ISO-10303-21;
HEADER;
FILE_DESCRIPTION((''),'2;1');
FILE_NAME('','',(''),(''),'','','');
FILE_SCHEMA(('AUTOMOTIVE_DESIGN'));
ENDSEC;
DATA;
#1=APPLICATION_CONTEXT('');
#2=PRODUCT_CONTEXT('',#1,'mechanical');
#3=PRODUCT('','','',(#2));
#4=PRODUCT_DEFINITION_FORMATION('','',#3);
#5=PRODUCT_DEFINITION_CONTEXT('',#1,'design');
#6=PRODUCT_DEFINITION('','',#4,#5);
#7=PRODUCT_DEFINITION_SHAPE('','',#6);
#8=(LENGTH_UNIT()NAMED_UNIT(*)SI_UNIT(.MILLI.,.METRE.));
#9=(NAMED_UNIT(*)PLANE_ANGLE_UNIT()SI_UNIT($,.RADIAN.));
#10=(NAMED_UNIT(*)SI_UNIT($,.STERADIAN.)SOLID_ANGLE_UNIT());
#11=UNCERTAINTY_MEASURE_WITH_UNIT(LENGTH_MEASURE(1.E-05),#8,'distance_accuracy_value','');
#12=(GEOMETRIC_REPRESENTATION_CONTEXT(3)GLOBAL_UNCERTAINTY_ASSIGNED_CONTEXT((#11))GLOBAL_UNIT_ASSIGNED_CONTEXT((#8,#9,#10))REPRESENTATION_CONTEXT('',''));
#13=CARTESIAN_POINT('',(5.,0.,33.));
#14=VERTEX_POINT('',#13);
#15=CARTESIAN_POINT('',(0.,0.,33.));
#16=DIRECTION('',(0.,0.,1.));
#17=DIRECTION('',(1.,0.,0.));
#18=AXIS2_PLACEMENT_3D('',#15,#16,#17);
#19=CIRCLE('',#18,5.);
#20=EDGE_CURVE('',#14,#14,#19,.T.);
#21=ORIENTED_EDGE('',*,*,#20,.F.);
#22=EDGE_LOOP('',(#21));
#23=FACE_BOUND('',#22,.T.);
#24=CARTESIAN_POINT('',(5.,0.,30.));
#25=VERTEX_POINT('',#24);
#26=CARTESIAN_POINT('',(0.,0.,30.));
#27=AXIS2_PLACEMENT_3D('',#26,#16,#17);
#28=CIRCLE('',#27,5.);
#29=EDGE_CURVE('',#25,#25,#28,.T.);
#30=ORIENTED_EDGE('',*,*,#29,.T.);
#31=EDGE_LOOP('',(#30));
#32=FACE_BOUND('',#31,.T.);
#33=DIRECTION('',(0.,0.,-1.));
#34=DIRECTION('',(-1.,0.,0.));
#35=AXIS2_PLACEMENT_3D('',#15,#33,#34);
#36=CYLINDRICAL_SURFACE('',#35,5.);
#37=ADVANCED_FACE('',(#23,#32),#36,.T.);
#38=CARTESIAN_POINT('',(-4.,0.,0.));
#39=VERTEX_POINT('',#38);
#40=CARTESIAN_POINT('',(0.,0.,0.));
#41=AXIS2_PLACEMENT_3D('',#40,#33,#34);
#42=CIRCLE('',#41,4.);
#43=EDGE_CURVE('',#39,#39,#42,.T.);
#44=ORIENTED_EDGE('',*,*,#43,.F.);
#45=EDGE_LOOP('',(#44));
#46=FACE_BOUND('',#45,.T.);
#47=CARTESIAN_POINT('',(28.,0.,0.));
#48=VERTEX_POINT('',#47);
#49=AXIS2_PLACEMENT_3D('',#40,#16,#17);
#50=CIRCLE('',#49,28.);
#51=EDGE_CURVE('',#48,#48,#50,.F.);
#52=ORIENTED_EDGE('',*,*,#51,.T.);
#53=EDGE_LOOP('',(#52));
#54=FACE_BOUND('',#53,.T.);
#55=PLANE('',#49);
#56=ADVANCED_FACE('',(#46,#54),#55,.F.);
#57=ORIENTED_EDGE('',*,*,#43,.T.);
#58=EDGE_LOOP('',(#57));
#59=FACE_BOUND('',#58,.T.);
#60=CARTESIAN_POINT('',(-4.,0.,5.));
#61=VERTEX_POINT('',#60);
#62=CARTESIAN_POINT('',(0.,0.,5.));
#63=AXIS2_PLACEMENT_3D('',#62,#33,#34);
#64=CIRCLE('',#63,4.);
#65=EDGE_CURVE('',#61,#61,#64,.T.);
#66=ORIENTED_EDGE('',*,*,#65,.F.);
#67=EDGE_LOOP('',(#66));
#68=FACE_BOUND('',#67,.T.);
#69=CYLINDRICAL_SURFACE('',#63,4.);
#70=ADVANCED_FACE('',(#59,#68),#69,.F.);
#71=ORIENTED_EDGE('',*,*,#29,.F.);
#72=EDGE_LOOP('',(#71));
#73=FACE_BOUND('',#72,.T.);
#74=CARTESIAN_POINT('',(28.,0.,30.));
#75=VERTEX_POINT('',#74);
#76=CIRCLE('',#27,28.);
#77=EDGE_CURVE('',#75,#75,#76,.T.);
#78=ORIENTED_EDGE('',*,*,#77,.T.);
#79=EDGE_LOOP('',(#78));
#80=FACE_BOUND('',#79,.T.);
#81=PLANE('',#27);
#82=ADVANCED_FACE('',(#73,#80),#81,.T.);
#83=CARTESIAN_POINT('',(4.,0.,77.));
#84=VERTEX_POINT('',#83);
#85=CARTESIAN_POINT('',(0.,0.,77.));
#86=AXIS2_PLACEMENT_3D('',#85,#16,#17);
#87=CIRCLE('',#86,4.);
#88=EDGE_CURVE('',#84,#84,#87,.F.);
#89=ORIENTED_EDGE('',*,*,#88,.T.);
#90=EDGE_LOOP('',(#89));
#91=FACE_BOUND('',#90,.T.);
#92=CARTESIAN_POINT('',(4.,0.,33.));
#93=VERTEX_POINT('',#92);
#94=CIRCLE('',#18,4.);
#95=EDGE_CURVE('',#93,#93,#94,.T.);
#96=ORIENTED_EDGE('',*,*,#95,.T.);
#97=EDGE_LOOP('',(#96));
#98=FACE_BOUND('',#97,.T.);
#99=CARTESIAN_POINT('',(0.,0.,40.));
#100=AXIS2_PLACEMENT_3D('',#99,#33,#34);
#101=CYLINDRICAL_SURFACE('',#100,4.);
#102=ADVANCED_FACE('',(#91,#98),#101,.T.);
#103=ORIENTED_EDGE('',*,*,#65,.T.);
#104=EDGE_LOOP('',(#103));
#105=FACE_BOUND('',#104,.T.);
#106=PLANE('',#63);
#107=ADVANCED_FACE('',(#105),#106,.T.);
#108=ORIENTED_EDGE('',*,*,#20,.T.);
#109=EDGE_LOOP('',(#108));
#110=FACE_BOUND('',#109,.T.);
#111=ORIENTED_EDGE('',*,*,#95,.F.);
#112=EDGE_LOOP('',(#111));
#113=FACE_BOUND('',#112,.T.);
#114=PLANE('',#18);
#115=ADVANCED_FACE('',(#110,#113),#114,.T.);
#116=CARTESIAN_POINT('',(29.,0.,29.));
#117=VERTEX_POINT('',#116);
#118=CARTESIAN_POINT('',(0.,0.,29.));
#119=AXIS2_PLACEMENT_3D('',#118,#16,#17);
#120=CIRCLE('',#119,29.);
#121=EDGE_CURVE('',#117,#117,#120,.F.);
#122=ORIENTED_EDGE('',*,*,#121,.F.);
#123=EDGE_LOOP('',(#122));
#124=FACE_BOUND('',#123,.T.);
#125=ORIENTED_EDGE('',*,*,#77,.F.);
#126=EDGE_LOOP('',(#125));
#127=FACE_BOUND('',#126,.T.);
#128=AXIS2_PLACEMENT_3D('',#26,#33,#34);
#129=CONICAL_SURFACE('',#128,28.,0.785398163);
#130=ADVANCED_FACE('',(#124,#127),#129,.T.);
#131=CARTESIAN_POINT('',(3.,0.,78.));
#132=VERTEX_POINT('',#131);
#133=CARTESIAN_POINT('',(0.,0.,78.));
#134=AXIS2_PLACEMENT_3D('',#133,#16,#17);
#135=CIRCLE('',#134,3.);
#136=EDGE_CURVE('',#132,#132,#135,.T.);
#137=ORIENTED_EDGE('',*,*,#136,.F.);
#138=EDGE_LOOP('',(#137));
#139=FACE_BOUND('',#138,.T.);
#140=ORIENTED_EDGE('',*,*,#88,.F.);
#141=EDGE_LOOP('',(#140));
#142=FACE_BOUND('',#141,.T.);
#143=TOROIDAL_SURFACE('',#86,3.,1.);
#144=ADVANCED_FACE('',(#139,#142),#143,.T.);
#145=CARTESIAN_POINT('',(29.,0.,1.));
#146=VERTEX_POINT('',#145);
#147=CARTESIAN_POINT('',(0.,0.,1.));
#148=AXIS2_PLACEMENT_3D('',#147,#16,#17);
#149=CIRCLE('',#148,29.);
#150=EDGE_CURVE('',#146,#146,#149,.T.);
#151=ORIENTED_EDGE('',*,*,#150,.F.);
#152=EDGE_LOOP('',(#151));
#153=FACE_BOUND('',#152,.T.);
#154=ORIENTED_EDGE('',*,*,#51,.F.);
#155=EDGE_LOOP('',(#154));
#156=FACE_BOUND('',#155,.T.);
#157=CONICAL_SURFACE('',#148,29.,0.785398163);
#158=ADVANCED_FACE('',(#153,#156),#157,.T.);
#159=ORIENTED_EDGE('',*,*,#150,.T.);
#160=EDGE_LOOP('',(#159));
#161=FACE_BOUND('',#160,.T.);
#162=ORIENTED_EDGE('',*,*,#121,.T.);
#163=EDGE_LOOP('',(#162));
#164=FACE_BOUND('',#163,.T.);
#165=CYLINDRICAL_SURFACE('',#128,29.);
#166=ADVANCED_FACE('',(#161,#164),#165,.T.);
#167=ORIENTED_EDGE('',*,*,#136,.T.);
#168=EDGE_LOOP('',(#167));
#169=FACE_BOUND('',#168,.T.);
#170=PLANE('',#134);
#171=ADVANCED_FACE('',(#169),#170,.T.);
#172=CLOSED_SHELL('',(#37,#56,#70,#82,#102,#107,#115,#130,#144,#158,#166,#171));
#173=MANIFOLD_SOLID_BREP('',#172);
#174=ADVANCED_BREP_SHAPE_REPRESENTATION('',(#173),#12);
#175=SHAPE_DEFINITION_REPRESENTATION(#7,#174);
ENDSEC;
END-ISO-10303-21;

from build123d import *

# Parameters (mm, degrees)
ESQUISSE1_R             = 29
BOSS_EXTRU_1_DEPTH      = 30
ESQUISSE2_R             = 4
BOSS_EXTRU_2_DEPTH      = 10
ESQUISSE3_R             = 5
BOSS_EXTRU_3_DEPTH      = 3
ESQUISSE4_R             = 4
ENL_V_MAT_EXTRU_1_DEPTH = 5
CHANFREIN1_SIZE         = 1
ESQUISSE8_R             = 4
BOSS_EXTRU_4_DEPTH      = 38
CONG_1_R                = 1


with BuildPart() as part:
    # Esquisse1 → Boss.-Extru.1 (new body)
    with BuildSketch(Plane.XY):
        Circle(ESQUISSE1_R)
    extrude(amount=BOSS_EXTRU_1_DEPTH)

    # Esquisse2 → Boss.-Extru.2 (add)
    with BuildSketch(Plane.XY.offset(30)):
        Circle(ESQUISSE2_R)
    extrude(amount=BOSS_EXTRU_2_DEPTH)

    # Esquisse3 → Boss.-Extru.3 (add)
    with BuildSketch(Plane.XY.offset(30)):
        Circle(ESQUISSE3_R)
    extrude(amount=BOSS_EXTRU_3_DEPTH)

    # Esquisse4 → Enlèv. mat.-Extru.1 (cut)
    with BuildSketch(Plane(origin=(0, 0, 0), x_dir=(-1, 0, 0), z_dir=(0, 0, -1))):
        with Locations(Location((0, 0, 0), (0, 0, 180))):
            Circle(ESQUISSE4_R)
    extrude(amount=-ENL_V_MAT_EXTRU_1_DEPTH, mode=Mode.SUBTRACT)

    # Chanfrein1
    chanfrein1_edges = [part.edges().sort_by_distance(p)[0] for p in [
        (-29, 0, 0),
        (-29, 0, 30),
    ]]
    chamfer(chanfrein1_edges, length=CHANFREIN1_SIZE)

    # Esquisse8 → Boss.-Extru.4 (add)
    with BuildSketch(Plane.XY.offset(40)):
        Circle(ESQUISSE8_R)
    extrude(amount=BOSS_EXTRU_4_DEPTH)

    # Congé1
    cong_1_edges = [part.edges().sort_by_distance(p)[0] for p in [
        (-4, 0, 78),
    ]]
    fillet(cong_1_edges, radius=CONG_1_R)


solid = part.part
